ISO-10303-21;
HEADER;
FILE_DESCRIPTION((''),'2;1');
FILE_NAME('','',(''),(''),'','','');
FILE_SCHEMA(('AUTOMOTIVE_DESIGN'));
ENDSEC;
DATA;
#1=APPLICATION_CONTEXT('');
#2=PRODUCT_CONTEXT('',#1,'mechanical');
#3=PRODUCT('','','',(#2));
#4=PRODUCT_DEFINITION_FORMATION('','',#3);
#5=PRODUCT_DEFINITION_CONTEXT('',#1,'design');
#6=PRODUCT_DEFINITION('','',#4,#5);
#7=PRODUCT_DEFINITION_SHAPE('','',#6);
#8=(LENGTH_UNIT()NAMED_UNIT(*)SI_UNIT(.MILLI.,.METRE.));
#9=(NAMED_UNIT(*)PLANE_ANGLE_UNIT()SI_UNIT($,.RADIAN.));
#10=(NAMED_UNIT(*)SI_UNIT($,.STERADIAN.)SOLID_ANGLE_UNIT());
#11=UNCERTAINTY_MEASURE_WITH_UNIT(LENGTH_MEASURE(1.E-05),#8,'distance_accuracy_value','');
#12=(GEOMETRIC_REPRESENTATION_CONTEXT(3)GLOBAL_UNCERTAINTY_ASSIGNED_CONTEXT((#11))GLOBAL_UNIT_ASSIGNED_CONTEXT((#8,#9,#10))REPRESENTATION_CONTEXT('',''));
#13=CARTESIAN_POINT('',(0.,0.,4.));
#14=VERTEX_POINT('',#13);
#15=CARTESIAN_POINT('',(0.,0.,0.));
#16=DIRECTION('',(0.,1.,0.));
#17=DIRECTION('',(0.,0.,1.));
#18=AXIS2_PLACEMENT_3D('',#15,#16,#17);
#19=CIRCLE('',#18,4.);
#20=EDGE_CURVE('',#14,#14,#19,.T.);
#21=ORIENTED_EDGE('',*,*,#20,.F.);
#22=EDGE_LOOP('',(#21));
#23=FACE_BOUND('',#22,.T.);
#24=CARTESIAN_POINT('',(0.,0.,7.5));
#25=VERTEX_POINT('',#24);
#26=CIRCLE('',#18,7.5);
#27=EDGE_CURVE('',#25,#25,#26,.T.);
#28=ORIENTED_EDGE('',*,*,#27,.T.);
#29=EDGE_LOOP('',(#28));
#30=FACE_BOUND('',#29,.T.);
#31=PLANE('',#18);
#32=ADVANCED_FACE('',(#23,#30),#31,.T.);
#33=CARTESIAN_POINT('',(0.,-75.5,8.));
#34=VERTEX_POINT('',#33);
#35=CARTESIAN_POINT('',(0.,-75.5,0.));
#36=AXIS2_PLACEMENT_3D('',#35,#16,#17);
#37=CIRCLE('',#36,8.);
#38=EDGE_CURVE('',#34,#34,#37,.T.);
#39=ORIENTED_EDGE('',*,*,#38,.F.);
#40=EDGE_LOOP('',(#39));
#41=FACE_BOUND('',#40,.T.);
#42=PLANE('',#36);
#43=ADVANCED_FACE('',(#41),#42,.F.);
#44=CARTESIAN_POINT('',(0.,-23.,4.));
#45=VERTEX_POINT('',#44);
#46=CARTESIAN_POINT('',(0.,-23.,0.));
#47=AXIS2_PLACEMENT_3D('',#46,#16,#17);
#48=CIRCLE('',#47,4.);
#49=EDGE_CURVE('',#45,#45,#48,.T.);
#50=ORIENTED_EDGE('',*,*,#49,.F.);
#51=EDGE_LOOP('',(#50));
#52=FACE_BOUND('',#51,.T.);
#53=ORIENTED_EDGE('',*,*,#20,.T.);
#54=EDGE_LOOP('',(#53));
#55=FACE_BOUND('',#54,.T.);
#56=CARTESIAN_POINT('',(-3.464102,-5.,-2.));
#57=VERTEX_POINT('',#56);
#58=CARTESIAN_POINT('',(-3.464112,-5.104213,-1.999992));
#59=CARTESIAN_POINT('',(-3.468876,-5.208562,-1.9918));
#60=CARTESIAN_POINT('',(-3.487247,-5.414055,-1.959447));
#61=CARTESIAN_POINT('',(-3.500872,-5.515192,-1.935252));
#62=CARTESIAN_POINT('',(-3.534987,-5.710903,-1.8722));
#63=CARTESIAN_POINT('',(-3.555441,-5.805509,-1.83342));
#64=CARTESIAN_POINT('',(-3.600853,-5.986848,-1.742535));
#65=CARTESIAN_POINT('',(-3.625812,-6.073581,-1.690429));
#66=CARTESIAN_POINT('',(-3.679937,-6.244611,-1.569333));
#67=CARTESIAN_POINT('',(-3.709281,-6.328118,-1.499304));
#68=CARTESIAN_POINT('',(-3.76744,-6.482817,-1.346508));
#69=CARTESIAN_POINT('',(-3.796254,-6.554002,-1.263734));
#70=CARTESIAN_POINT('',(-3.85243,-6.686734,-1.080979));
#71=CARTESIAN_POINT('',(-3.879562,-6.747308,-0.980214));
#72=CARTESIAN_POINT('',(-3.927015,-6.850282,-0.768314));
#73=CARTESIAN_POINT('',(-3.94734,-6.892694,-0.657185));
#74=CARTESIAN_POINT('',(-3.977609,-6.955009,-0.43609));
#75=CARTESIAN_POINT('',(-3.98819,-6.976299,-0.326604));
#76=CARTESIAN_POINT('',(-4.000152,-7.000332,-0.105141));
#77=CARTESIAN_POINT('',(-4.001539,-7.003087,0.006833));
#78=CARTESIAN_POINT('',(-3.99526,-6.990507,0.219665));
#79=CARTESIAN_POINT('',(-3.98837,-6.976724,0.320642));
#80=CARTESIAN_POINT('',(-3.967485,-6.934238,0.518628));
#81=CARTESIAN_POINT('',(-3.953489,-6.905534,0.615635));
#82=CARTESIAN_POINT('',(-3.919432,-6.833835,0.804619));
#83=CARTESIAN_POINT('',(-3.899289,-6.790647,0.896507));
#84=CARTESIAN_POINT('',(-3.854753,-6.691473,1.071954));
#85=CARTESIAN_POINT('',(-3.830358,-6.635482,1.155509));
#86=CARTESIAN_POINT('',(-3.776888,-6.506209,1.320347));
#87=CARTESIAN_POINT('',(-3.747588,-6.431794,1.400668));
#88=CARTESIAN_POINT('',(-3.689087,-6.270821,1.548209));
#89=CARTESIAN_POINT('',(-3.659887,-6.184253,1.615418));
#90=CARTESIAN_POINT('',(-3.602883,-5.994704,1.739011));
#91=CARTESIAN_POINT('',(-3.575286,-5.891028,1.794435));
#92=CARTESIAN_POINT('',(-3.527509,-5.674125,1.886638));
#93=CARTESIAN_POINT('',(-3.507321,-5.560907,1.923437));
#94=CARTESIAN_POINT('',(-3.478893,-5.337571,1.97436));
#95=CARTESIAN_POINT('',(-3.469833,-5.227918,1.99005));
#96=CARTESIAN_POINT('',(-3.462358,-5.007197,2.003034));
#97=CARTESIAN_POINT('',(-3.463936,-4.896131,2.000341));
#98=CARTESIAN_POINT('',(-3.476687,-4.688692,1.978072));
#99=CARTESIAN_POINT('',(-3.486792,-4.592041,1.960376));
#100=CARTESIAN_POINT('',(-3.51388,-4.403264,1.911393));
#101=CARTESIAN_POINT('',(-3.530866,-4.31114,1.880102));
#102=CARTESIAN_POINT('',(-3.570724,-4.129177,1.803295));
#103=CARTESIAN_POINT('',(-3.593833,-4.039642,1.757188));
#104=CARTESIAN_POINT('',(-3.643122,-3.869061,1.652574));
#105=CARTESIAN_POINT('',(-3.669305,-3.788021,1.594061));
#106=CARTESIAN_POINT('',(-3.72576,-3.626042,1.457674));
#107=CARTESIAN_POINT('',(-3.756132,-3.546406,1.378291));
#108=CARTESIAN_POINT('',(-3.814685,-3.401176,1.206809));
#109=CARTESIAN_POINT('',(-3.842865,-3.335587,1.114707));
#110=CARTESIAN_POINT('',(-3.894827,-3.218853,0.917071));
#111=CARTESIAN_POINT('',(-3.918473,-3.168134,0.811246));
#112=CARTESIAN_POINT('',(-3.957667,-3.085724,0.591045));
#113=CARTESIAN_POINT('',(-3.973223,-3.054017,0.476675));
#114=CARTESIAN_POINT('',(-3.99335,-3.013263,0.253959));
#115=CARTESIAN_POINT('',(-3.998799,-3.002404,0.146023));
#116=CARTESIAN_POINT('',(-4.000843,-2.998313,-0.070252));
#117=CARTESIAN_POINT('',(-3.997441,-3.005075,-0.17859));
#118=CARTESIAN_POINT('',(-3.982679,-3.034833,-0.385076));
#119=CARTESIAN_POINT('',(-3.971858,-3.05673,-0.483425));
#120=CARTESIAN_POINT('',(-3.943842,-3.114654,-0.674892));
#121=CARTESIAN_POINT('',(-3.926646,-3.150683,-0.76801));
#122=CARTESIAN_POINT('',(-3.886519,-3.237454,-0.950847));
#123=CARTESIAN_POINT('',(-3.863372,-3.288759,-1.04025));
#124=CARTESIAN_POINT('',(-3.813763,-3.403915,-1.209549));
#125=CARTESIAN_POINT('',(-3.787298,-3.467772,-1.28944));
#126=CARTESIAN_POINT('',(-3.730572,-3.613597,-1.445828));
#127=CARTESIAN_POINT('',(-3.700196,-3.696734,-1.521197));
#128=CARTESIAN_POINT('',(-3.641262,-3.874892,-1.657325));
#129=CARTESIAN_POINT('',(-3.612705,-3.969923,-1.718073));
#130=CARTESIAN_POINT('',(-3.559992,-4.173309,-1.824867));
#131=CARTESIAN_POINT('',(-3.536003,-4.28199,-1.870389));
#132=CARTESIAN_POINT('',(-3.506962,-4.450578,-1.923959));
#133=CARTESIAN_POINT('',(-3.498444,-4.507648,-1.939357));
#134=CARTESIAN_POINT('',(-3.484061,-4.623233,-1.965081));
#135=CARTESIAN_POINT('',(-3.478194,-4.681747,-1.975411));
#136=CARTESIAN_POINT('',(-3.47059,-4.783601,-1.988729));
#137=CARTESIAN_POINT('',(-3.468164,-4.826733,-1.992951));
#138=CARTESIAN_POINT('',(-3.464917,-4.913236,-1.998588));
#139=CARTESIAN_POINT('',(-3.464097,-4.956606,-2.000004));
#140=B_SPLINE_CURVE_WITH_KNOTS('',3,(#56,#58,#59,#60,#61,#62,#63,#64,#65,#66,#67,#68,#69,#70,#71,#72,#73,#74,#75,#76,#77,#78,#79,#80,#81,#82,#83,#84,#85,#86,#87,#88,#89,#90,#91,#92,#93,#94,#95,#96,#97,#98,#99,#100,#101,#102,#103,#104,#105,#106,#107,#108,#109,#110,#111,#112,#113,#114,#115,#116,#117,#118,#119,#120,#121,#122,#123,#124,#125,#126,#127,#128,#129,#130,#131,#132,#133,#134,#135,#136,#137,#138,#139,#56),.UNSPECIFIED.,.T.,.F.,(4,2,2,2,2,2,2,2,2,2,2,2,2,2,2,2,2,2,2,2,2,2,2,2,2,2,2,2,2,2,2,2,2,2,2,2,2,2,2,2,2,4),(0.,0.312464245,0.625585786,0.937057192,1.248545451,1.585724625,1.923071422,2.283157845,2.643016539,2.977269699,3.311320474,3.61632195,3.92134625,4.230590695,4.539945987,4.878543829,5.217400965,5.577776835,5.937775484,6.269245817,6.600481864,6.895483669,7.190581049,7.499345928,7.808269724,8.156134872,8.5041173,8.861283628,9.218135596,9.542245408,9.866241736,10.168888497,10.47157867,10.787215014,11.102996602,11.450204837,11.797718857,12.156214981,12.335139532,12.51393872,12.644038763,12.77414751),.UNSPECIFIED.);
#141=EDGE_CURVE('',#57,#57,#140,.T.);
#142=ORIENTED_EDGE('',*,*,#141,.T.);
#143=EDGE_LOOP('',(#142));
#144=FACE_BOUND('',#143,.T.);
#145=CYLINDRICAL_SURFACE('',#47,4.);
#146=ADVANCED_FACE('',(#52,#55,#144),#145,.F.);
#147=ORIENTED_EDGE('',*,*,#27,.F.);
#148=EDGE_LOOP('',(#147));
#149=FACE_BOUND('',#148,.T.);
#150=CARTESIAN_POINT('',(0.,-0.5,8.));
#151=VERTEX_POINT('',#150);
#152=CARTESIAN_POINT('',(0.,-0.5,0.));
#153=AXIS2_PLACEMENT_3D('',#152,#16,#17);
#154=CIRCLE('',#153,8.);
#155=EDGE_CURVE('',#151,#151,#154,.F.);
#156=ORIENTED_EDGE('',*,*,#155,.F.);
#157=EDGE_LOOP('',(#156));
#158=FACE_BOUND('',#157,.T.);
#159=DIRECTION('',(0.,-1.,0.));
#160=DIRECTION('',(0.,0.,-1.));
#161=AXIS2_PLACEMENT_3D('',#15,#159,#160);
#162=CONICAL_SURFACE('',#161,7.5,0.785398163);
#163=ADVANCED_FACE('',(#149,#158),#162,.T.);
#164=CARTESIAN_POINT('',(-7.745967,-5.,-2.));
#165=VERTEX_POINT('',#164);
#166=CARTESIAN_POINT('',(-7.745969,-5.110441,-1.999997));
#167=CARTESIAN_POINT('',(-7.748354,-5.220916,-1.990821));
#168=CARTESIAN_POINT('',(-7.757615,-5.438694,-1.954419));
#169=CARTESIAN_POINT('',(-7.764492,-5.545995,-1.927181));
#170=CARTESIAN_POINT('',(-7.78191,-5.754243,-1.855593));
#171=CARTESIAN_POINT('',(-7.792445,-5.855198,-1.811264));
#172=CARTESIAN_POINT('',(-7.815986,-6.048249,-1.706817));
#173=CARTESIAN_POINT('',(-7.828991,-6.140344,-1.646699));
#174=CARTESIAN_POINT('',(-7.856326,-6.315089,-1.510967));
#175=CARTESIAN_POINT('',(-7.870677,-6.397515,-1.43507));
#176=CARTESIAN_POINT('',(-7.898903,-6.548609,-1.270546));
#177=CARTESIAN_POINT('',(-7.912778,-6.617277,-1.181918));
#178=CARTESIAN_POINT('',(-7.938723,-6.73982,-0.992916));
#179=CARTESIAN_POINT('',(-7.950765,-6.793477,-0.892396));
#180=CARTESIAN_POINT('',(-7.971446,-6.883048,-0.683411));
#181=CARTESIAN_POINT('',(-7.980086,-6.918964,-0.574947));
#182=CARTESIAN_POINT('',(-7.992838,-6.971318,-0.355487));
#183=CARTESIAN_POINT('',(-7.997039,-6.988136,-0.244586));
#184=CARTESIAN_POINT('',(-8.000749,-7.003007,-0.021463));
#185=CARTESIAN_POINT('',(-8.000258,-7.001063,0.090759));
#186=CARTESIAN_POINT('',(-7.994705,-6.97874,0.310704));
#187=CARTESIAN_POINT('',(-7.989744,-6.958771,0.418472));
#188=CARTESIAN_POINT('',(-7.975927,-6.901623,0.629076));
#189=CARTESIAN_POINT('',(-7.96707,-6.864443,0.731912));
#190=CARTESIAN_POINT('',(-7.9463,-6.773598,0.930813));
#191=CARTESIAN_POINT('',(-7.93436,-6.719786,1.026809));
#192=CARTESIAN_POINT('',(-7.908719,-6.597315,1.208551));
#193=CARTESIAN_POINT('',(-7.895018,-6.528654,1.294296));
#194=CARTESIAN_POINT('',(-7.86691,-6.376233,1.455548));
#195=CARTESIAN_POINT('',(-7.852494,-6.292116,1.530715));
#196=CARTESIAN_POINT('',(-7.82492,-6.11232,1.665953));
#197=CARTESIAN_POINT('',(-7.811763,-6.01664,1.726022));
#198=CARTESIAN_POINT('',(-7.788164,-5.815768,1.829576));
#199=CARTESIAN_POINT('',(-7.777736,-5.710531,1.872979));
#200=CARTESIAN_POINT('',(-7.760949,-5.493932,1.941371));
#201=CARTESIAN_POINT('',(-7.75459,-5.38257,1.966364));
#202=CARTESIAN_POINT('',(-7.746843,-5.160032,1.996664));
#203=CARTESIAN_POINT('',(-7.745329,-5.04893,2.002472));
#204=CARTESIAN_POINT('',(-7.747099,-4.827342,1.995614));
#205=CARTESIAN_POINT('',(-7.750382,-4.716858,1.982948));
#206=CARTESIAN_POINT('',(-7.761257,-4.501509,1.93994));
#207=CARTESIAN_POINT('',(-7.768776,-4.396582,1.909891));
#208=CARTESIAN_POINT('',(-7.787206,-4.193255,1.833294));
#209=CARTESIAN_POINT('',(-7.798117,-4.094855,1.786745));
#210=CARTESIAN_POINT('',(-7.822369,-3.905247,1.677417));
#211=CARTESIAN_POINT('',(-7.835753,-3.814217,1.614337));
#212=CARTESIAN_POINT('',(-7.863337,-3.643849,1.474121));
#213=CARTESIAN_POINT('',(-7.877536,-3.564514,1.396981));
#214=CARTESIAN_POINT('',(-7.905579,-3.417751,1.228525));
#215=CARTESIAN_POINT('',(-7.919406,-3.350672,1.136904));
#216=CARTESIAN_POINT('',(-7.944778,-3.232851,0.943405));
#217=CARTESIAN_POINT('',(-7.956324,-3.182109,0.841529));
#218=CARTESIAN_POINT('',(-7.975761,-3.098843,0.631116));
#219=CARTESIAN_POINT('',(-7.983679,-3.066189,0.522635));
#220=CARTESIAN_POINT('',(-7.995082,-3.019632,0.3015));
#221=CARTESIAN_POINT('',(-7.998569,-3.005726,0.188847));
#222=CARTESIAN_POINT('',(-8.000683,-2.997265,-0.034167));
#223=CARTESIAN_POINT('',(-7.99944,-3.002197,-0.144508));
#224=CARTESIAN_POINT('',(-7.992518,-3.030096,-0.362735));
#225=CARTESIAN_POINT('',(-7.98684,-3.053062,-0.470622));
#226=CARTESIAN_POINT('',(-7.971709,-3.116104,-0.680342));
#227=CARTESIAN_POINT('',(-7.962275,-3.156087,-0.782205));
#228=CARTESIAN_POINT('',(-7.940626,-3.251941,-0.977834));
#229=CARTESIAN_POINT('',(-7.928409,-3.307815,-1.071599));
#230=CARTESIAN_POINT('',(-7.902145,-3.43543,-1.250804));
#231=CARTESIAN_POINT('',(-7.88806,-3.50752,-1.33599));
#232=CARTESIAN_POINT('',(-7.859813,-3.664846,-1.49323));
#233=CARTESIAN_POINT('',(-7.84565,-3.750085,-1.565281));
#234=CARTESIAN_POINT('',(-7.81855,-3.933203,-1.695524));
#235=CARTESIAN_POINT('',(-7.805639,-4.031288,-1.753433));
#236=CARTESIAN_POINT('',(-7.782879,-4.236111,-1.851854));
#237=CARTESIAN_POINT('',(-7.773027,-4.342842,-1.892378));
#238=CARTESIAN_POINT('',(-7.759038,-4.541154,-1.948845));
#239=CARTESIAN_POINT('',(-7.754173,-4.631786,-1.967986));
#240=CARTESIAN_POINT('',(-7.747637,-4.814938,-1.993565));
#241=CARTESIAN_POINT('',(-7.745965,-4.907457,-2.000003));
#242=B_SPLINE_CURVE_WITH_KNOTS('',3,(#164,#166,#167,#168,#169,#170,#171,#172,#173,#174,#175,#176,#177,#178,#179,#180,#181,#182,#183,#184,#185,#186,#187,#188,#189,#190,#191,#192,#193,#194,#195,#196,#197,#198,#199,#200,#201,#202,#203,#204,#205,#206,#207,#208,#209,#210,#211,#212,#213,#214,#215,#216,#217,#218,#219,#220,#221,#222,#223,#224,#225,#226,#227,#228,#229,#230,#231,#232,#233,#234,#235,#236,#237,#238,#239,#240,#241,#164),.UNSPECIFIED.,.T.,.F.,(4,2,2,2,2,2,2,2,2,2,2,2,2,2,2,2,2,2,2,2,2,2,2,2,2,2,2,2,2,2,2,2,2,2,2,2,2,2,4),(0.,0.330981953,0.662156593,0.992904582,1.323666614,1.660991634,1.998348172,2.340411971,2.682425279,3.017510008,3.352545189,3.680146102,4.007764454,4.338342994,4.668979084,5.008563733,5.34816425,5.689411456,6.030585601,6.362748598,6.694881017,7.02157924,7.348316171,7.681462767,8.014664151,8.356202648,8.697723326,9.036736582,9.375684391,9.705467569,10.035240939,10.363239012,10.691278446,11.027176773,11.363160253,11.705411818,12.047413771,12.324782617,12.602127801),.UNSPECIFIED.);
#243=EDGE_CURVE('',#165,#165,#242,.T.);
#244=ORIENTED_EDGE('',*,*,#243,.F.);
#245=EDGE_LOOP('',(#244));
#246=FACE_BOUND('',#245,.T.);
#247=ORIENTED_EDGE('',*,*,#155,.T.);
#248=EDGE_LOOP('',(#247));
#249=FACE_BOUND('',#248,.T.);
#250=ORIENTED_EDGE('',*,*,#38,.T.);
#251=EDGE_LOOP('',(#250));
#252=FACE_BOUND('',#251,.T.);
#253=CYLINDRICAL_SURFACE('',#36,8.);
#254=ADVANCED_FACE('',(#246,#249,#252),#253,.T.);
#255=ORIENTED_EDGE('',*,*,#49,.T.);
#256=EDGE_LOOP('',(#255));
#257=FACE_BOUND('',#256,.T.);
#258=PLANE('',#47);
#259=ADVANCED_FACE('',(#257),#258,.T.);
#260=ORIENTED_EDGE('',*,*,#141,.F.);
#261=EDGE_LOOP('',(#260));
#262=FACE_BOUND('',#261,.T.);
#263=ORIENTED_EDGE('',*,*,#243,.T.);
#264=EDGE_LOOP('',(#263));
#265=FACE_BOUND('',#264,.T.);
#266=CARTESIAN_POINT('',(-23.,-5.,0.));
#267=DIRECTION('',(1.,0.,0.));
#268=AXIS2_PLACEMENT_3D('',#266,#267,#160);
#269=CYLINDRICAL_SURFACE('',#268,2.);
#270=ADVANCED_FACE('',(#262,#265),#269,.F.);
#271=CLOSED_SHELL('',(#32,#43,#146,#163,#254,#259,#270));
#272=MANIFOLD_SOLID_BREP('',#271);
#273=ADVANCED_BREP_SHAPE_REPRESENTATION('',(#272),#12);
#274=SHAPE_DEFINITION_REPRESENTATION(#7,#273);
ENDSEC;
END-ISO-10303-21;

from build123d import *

# Parameters (mm, degrees)
SKETCH_1_R          = 8
EXTRUDE_1_DEPTH     = 75.5
CHAMFER_1_SIZE      = 0.5
SKETCH_3_R          = 4
CUT_EXTRUDE_1_DEPTH = 23
SKETCH_4_R          = 2
CUT_EXTRUDE_2_DEPTH = 23


with BuildPart() as part:
    # 스케치1 → 보스-돌출1 (new body)
    with BuildSketch(Plane(origin=(0, 0, 0), x_dir=(1, 0, 0), z_dir=(0, 1, 0))):
        with Locations(Location((0, 0, 0), (0, 0, 270))):
            Circle(SKETCH_1_R)
    extrude(amount=-EXTRUDE_1_DEPTH)

    # 모따기1
    chamfer_1_edges = [part.edges().sort_by_distance(p)[0] for p in [
        (0, 0, -8),
    ]]
    chamfer(chamfer_1_edges, length=CHAMFER_1_SIZE)

    # 스케치3 → 컷-돌출1 (cut)
    with BuildSketch(Plane(origin=(0, 0, 0), x_dir=(1, 0, 0), z_dir=(0, 1, 0))):
        with Locations(Location((0, 0, 0), (0, 0, 270))):
            Circle(SKETCH_3_R)
    extrude(amount=-CUT_EXTRUDE_1_DEPTH, mode=Mode.SUBTRACT)

    # 스케치4 → 컷-돌출2 (cut)
    with BuildSketch(Plane(origin=(0, 0, 0), x_dir=(0, 0, -1), z_dir=(1, 0, 0))):
        with Locations((0, -5)):
            Circle(SKETCH_4_R)
    extrude(amount=-CUT_EXTRUDE_2_DEPTH, mode=Mode.SUBTRACT)


solid = part.part
